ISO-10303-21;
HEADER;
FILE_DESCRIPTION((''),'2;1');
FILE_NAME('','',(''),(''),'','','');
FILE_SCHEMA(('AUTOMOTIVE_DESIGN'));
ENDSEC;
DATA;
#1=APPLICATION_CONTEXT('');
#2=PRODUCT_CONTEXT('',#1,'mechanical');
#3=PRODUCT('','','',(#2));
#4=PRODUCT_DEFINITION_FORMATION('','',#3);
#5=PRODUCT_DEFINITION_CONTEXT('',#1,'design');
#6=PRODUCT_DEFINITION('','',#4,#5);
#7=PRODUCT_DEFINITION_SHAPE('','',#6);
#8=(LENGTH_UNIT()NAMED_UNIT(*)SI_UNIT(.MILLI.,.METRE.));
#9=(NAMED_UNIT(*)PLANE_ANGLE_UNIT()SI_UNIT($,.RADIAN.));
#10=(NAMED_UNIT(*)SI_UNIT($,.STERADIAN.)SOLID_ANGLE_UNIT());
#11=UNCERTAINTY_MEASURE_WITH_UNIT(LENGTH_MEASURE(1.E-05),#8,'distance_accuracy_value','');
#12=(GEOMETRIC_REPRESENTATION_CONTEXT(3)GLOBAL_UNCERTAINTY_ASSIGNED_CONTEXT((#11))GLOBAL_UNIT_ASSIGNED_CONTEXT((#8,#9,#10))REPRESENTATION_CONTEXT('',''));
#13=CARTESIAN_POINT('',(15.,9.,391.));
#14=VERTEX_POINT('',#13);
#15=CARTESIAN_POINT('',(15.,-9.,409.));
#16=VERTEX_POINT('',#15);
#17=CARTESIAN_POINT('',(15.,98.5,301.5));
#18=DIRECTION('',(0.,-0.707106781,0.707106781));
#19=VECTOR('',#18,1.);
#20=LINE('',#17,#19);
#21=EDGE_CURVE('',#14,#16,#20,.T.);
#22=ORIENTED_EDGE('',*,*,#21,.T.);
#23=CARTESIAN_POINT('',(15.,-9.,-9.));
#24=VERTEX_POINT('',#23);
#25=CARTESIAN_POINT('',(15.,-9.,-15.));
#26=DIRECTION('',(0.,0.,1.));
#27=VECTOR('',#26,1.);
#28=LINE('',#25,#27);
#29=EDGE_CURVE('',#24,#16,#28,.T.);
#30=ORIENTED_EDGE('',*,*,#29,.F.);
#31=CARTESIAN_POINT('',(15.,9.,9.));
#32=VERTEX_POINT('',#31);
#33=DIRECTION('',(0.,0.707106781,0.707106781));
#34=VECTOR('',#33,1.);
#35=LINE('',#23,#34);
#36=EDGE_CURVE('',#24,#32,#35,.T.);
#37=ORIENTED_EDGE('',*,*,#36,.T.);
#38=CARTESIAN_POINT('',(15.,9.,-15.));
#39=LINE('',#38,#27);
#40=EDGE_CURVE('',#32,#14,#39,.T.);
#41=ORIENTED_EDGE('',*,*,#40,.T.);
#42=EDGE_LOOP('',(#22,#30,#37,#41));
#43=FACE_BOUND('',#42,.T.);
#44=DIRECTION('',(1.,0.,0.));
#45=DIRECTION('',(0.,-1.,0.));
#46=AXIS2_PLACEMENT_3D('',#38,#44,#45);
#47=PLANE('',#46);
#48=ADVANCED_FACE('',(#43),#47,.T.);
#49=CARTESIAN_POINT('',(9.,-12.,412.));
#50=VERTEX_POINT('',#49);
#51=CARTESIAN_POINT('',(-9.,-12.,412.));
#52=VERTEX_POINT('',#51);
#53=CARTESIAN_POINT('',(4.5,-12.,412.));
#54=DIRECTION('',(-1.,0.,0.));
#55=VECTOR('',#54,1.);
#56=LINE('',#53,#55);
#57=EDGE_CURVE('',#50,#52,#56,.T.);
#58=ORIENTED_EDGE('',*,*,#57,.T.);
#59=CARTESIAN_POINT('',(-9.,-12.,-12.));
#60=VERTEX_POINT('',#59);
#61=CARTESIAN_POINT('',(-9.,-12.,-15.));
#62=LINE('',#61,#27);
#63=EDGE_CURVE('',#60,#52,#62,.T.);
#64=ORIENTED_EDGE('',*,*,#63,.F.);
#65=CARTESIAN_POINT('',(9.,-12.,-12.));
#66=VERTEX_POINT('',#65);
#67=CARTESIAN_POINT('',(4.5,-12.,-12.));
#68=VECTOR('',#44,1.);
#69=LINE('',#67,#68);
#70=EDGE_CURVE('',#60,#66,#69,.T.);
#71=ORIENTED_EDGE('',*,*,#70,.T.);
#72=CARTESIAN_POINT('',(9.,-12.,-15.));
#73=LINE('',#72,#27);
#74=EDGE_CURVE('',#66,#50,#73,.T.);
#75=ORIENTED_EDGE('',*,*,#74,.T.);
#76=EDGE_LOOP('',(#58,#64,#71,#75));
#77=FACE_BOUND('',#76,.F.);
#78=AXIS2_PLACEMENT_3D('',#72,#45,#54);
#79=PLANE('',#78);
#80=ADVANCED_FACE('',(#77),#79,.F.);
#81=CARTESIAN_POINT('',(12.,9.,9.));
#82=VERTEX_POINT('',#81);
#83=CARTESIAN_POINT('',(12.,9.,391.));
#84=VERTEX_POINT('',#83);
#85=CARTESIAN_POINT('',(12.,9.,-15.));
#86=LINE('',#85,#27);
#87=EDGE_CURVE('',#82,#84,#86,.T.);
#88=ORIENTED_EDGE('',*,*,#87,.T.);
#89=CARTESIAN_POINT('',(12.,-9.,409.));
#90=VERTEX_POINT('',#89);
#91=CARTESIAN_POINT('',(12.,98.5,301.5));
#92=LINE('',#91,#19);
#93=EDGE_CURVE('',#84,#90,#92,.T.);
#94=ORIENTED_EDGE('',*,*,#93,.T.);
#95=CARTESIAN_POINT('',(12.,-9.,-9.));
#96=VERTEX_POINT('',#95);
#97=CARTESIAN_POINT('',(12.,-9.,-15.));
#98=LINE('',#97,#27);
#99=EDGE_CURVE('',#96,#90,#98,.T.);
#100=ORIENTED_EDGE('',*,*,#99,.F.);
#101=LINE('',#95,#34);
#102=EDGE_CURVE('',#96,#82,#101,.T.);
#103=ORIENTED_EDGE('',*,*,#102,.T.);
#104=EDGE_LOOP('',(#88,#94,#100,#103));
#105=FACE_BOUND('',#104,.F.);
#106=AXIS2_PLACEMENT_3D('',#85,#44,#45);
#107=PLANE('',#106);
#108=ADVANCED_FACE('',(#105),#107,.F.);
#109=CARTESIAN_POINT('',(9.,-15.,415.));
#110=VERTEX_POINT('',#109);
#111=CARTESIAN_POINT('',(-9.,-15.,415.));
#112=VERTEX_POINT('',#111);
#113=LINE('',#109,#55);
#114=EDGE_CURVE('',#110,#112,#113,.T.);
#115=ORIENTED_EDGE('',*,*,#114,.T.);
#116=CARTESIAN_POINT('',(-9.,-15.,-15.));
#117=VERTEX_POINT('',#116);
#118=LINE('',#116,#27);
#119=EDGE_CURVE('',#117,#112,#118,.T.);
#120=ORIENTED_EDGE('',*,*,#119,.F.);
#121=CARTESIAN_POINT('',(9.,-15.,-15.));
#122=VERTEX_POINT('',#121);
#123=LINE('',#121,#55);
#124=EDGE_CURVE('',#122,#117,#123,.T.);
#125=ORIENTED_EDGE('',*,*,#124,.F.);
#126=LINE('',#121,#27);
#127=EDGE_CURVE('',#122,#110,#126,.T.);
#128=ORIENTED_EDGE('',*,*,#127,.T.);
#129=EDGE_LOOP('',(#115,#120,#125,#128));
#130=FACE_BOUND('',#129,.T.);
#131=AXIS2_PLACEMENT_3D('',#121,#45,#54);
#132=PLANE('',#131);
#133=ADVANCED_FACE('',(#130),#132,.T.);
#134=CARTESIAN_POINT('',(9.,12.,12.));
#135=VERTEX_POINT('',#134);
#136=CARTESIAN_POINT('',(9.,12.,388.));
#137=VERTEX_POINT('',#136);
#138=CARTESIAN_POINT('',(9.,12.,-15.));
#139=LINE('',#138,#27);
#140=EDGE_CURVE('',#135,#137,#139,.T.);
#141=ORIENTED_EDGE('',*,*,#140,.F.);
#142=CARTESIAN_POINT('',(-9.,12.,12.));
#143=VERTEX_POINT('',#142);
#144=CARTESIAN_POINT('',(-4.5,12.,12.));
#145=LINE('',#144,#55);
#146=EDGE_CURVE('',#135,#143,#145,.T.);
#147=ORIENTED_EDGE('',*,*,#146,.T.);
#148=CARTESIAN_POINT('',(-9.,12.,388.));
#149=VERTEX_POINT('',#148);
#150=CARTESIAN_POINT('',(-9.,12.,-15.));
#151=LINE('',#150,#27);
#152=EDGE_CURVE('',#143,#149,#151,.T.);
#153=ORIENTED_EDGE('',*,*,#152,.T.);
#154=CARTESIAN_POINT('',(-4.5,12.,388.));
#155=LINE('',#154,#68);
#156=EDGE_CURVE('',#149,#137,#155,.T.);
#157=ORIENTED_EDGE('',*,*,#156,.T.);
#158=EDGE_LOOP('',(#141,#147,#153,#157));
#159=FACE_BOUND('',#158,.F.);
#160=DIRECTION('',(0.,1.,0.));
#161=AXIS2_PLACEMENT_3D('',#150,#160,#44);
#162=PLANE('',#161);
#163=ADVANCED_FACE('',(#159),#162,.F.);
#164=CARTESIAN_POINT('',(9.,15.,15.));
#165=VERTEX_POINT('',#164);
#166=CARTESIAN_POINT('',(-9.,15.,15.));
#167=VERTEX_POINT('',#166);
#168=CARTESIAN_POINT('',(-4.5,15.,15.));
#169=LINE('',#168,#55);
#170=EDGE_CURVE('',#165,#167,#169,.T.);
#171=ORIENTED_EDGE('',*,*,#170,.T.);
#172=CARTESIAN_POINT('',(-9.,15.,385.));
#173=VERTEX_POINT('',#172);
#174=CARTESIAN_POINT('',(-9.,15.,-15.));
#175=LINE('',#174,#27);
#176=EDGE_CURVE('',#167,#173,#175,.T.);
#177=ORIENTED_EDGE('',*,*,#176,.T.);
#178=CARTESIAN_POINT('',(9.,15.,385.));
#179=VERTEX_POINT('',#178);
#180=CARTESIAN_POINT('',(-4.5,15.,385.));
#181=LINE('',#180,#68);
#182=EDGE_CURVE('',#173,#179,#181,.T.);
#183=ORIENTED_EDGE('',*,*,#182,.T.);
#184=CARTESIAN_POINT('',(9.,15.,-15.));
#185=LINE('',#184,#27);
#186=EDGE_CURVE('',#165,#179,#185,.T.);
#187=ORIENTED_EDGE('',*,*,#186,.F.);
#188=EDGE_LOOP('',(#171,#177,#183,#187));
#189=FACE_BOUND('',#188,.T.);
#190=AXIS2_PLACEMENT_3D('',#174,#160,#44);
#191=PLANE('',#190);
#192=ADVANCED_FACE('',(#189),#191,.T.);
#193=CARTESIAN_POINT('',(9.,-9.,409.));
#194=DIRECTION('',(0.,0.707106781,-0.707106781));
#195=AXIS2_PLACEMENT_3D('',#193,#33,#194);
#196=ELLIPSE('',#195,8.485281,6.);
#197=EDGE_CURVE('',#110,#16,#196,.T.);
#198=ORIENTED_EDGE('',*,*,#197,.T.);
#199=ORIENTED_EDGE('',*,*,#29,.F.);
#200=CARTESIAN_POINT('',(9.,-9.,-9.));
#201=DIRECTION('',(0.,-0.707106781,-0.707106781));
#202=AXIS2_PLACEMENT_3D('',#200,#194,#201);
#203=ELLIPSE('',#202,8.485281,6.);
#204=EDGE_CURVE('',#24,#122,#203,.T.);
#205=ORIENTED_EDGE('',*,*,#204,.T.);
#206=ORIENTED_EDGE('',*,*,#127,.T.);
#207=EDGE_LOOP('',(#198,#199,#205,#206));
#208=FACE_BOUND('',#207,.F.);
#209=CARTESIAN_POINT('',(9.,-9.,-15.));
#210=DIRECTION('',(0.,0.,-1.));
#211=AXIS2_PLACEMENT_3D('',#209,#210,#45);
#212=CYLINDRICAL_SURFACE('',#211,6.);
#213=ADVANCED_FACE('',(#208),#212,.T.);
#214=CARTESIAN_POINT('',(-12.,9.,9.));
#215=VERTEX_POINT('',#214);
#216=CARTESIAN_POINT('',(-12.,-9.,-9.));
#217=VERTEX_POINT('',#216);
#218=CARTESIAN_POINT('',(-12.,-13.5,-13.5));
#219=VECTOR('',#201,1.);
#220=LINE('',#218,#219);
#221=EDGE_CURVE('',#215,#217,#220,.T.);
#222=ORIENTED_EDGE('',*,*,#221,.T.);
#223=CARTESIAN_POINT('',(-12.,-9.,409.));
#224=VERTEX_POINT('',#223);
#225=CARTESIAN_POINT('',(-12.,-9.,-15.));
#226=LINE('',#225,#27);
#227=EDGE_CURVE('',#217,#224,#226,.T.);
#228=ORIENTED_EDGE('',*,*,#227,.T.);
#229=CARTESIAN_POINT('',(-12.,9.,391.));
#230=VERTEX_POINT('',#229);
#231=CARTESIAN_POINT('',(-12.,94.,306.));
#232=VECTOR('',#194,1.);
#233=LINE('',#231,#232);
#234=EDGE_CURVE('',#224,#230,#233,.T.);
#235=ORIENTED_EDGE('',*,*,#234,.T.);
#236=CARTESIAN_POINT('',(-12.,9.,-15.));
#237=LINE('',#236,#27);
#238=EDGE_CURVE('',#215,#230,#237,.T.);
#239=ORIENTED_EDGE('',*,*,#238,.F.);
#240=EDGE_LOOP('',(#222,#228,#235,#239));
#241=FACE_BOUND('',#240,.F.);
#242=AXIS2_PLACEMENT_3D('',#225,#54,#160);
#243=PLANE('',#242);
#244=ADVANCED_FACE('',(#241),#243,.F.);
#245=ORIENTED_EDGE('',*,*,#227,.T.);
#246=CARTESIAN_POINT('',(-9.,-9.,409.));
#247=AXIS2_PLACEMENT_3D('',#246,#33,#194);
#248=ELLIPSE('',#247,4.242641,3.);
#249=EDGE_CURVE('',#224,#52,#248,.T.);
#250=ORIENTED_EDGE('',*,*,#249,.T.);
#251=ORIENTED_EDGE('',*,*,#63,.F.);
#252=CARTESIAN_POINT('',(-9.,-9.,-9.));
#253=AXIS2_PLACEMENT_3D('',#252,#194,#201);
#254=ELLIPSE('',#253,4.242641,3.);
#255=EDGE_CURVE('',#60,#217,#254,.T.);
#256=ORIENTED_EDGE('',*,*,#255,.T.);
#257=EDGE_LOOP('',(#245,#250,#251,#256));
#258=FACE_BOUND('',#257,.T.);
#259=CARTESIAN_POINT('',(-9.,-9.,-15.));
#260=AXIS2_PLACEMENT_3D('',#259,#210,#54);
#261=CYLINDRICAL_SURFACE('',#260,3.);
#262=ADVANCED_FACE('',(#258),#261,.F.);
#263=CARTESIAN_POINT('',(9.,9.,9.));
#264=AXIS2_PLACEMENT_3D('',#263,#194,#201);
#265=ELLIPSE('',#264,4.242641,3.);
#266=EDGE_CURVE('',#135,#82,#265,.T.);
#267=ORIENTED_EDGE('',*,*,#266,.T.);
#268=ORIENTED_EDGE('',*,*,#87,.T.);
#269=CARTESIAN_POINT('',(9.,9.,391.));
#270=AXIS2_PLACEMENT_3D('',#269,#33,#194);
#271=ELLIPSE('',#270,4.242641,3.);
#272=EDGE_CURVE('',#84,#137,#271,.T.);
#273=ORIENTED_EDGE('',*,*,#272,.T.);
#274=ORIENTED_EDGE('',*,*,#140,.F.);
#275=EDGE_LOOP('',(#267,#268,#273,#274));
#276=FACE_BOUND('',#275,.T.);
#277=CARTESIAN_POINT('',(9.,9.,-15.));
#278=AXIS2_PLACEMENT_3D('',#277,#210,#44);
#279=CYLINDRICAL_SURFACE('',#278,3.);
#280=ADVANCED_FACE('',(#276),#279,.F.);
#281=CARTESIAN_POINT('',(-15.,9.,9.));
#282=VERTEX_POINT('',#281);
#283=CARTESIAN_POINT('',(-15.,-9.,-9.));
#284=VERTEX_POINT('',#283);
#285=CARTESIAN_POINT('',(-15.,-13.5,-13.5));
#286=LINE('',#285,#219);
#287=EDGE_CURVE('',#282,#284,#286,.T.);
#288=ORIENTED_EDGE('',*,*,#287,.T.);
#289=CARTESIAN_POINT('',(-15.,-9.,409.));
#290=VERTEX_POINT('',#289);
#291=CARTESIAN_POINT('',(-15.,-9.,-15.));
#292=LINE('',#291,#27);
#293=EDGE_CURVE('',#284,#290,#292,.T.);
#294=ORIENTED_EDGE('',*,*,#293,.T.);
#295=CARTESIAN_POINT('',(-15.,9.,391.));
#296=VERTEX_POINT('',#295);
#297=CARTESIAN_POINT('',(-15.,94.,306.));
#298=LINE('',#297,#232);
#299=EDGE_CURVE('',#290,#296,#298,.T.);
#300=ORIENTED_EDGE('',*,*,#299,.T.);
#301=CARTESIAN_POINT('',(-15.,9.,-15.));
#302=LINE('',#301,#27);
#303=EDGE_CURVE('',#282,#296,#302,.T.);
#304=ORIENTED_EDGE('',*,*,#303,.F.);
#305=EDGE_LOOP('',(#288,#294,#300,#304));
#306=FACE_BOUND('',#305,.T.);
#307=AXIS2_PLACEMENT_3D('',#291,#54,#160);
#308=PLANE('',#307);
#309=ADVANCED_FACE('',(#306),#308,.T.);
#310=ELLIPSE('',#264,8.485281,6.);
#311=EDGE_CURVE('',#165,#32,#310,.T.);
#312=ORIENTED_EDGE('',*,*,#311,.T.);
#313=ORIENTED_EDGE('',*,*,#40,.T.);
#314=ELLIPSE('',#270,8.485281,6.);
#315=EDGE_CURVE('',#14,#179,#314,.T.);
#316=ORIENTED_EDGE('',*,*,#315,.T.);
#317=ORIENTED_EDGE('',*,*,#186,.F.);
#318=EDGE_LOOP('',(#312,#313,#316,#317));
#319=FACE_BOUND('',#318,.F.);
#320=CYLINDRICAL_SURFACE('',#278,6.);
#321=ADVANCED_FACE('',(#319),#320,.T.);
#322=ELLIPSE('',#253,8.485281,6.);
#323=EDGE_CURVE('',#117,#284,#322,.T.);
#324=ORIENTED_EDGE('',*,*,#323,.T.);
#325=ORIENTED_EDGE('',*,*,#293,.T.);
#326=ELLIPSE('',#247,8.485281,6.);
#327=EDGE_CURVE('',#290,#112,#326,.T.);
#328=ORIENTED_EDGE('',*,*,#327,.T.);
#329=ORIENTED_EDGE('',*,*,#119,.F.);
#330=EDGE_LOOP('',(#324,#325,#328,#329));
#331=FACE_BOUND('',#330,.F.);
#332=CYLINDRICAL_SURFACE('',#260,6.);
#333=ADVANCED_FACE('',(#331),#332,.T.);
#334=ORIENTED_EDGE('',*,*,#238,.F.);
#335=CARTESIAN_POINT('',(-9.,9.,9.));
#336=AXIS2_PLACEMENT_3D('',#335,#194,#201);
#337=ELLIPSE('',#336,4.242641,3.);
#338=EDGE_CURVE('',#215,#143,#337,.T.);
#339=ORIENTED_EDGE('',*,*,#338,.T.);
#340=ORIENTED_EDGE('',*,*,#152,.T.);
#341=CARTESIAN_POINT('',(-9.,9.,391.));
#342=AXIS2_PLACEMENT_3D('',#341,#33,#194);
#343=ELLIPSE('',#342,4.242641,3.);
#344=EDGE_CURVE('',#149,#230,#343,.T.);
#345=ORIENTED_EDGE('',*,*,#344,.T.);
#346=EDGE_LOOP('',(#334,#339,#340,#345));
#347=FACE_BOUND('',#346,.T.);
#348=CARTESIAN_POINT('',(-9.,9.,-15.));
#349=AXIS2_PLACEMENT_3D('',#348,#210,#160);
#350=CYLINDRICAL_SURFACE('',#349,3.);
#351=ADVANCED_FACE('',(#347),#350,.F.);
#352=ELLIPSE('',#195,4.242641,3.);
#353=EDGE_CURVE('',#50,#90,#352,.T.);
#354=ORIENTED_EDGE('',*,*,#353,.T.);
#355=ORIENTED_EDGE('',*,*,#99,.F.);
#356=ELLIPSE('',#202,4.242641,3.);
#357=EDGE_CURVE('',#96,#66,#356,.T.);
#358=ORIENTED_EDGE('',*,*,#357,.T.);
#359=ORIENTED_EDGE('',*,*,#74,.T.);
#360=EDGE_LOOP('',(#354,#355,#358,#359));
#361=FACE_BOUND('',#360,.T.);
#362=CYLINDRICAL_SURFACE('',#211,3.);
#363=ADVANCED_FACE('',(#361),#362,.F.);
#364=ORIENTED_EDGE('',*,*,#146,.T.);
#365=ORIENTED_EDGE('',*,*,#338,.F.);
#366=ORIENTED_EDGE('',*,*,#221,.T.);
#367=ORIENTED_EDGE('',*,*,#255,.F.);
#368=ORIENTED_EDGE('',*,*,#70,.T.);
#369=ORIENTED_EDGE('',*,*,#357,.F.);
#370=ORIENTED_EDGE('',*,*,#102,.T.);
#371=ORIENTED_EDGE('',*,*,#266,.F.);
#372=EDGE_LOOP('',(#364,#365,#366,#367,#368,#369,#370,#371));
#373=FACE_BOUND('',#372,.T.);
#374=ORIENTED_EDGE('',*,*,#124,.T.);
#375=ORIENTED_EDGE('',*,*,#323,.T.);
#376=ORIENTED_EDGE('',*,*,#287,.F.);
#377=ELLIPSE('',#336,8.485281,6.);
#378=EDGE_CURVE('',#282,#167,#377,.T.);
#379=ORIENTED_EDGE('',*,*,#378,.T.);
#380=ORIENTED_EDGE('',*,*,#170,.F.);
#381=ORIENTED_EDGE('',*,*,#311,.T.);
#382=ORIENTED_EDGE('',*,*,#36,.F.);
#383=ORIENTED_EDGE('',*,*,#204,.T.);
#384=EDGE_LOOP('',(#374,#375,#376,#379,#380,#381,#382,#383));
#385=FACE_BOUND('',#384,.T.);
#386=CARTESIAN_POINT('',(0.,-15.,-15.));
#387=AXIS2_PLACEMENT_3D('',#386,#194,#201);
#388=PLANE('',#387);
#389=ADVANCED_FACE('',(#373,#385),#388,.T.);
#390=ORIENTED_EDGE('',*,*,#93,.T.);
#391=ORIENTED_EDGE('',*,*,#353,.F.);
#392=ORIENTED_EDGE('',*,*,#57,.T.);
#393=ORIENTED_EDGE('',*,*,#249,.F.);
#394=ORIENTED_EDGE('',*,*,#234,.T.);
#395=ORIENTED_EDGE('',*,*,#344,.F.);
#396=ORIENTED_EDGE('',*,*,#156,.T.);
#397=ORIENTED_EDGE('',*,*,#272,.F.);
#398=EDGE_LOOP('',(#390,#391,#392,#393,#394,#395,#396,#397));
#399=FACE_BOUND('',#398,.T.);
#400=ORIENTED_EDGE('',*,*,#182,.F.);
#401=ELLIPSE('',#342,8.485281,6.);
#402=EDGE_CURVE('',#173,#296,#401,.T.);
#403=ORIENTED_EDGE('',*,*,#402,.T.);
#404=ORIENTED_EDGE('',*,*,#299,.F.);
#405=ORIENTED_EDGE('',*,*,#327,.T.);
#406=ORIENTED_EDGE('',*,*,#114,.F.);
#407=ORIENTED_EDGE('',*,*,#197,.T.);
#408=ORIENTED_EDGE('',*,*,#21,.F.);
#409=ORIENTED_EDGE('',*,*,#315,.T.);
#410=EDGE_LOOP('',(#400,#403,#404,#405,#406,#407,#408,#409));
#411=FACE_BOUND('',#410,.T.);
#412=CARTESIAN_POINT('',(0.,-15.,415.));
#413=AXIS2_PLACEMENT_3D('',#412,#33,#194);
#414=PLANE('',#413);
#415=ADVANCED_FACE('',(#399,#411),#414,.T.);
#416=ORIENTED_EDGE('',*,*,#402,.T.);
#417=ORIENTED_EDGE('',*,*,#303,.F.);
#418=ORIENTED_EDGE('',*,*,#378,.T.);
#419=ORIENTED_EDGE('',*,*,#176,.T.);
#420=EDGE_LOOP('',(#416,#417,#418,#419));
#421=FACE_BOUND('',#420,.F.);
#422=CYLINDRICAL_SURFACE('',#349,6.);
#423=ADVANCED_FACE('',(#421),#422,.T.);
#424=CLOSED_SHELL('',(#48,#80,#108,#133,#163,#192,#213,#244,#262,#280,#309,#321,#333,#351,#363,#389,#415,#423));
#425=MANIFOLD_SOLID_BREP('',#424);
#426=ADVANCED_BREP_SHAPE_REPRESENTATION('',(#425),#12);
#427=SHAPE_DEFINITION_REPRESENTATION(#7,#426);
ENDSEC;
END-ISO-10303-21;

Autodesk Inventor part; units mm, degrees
ref_plane "Start Plane" through (0, 0, -15) normal (0, 0, 1) x (1, 0, 0)
ref_plane "End Plane" through (0, 0, 415) normal (0, 0, 1) x (1, 0, 0)
sketch "Sketch" plane through (0, 0, 0) normal (0, 0, 1) x (1, 0, 0)
  line L0 (-15, -9) -> (-15, 9)
  line L1 (-9, 15) -> (9, 15)
  line L2 (15, 9) -> (15, -9)
  line L3 (9, -15) -> (-9, -15)
  arc A0 (-15, -9) -> (-9, -15) centre (-9, -9) ccw
  arc A1 (-9, 15) -> (-15, 9) centre (-9, 9) ccw
  arc A2 (15, 9) -> (9, 15) centre (9, 9) ccw
  arc A3 (9, -15) -> (15, -9) centre (9, -9) ccw
  arc A4 (-9, 12) -> (-12, 9) centre (-9, 9) ccw
  line L4 (-9, 12) -> (9, 12)
  arc A5 (12, 9) -> (9, 12) centre (9, 9) ccw
  line L5 (12, 9) -> (12, -9)
  arc A6 (9, -12) -> (12, -9) centre (9, -9) ccw
  line L6 (9, -12) -> (-9, -12)
  arc A7 (-12, -9) -> (-9, -12) centre (-9, -9) ccw
  line L7 (-12, -9) -> (-12, 9)
  line L8 (0, 22.7397) -> (0, -22.7397) construction
  line L9 (-22.7397, 0) -> (22.7397, 0) construction
  dimension "d7" = 6
  dimension "d10" = 30
  dimension "d11" = 30
  dimension "d12" = 3
  dimension "d15" = 15
  dimension "d16" = 15
extrude "Body" add sketch "Sketch" along normal up to surface (430 mm away) from surface at -15
sketch "Sketch3" plane through (0, 0, 0) normal (0, 0, 1) x (1, 0, 0)
  line L0 (0, 0) -> (10, 0)
ref_plane "Work Plane3" through (0, 0, 0) normal (0, -1, 0) x (1, 0, 0)
ref_plane "Work Plane4" through (0, -15, 415) normal (0, 0.7071, 0.7071) x (1, 0, 0)
split "Split1" plane through (0, -15, 415) removes the side toward (0, 0.7071, 0.7071)
ref_plane "Work Plane5" through (0, -15, -15) normal (0, 0.7071, -0.7071) x (1, 0, 0)
split "Split2" plane through (0, -15, -15) removes the side toward (0, 0.7071, -0.7071)
sketch "Sketch4" plane through (0, 0, 0) normal (0, -1, 0) x (1, 0, 0)
  line L0 (-2, -15) -> (12, -15) projected
  line L1 (-2, 415) -> (12, 415) projected
  dimension "d18" = 430
equation "\"d7\" = G_IR"
equation "\"d10\" = G_H"
equation "\"d11\" = G_W"
equation "\"d12\" = G_T"
equation "\"d15\" = 0.5 * d10"
equation "\"d16\" = 0.5 * d11"
equation "\"d3\" = G_L"
equation "\"G_W\" = 30"
equation "\"G_H\" = 30"
equation "\"G_T\" = 3"
equation "\"G_IR\" = 6"
equation "\"G_L\" = d18"
equation "\"G_OFFSET_START\" = 15"
equation "\"G_OFFSET_END\" = 15"
equation "\"d13\" = -G_OFFSET_START"
equation "\"d14\" = G_OFFSET_END + B_L"
equation "\"B_L\" = 400"
properties part number "DIN EN 10219-2 - 30 x 30 x 3  - 430" material "Steel, Mild"
